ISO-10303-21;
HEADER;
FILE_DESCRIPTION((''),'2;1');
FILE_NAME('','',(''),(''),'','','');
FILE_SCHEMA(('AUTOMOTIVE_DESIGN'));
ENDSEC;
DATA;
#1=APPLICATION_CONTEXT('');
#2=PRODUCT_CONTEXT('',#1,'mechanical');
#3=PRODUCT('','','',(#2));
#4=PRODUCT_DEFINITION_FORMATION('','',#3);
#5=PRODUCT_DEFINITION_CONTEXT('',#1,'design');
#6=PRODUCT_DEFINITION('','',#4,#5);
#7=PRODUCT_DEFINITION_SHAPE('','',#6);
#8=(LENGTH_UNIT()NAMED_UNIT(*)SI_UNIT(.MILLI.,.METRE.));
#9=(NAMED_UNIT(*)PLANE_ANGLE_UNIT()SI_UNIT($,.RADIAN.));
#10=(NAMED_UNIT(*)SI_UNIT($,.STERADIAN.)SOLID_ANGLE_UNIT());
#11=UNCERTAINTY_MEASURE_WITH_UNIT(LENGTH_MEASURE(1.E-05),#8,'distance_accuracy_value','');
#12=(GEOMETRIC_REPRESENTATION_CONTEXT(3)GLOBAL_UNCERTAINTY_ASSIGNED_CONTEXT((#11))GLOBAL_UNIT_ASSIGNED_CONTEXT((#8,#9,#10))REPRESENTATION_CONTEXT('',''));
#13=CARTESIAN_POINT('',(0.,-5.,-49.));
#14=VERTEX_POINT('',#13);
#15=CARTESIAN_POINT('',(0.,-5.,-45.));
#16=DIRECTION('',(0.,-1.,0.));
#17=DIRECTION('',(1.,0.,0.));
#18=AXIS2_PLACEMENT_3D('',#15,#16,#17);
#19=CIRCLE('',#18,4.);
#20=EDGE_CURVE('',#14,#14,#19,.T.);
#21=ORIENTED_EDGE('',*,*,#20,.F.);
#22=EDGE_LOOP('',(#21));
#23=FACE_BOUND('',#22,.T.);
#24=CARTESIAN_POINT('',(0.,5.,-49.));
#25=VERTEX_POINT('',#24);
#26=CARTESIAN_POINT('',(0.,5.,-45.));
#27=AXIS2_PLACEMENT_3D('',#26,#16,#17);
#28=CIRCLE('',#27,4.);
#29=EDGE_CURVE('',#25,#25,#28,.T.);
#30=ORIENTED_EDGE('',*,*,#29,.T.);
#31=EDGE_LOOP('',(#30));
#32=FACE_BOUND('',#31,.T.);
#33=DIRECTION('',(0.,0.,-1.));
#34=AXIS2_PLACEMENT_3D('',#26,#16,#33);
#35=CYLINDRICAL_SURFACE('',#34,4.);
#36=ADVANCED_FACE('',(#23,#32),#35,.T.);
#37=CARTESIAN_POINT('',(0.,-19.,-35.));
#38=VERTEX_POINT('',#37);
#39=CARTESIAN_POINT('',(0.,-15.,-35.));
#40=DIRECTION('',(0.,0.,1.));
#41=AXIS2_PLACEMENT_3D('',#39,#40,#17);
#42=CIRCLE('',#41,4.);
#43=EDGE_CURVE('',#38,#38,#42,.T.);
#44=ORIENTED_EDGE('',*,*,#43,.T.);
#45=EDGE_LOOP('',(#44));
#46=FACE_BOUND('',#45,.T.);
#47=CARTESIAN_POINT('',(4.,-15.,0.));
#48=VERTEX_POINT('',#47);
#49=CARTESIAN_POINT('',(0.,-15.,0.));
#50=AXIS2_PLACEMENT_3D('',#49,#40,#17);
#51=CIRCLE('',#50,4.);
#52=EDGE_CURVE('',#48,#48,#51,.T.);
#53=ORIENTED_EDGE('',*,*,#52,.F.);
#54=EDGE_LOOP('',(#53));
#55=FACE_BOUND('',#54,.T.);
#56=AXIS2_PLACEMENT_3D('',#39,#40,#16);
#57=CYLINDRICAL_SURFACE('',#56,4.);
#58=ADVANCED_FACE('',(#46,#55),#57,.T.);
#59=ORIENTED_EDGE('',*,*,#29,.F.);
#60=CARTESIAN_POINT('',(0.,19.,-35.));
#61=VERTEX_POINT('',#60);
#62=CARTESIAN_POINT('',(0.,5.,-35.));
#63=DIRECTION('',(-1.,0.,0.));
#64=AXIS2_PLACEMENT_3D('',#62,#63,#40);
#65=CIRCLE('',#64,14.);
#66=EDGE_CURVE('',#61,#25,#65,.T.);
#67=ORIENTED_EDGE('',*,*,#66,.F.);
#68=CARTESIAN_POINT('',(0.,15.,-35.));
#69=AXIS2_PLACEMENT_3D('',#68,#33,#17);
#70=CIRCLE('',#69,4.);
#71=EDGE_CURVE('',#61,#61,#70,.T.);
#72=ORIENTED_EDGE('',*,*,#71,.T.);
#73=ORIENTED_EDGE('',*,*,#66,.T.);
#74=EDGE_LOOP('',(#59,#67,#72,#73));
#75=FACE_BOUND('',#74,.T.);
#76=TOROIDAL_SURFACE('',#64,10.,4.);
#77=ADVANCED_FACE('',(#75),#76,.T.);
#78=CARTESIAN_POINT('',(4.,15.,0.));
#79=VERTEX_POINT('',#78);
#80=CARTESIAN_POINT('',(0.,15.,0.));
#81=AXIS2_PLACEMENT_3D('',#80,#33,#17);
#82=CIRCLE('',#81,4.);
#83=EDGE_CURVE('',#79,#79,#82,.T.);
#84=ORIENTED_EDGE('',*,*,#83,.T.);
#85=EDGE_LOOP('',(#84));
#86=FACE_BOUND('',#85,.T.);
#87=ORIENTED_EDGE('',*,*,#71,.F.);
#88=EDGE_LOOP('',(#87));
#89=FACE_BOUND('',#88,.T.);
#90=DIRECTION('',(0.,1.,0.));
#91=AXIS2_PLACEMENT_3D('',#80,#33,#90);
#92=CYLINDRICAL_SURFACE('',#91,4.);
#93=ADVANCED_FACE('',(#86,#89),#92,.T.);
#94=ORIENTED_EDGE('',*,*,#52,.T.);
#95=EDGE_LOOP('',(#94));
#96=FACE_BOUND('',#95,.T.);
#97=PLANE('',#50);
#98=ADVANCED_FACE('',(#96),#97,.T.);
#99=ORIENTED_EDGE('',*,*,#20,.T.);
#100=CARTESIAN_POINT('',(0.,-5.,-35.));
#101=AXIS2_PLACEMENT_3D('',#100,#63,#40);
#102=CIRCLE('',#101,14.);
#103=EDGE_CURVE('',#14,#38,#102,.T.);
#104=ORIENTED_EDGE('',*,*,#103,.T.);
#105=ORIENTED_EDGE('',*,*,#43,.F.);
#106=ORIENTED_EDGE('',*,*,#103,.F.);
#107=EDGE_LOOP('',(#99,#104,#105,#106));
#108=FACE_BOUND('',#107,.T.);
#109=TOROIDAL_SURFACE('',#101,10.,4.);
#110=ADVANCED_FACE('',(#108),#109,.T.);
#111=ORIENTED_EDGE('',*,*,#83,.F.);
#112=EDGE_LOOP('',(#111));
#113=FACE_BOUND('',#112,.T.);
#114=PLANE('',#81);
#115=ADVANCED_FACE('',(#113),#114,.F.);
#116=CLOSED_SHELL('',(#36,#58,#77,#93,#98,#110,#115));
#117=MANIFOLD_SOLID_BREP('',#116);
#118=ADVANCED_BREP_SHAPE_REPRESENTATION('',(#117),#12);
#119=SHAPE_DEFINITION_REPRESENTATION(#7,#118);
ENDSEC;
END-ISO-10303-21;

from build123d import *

# Parameters (mm, degrees)
SKETCH_2_R = 4


with BuildPart() as part:
    # По траектории1: sweep along a path in Эскиз1
    with BuildLine(Plane(origin=(0, 0, 0), x_dir=(0, 0, -1), z_dir=(1, 0, 0))) as sweep_1_path:
        Line((0, -15), (35, -15))
        ThreePointArc((35, -15), (42.071067812, -12.071067812), (45, -5))
        Line((45, -5), (45, 5))
        ThreePointArc((45, 5), (42.071067812, 12.071067812), (35, 15))
        Line((35, 15), (0, 15))
    # Эскиз2 → По траектории1 (sweep)
    with BuildSketch(Plane.XY):
        with Locations((0, -15)):
            Circle(SKETCH_2_R)
    sweep(path=sweep_1_path.line)


solid = part.part
